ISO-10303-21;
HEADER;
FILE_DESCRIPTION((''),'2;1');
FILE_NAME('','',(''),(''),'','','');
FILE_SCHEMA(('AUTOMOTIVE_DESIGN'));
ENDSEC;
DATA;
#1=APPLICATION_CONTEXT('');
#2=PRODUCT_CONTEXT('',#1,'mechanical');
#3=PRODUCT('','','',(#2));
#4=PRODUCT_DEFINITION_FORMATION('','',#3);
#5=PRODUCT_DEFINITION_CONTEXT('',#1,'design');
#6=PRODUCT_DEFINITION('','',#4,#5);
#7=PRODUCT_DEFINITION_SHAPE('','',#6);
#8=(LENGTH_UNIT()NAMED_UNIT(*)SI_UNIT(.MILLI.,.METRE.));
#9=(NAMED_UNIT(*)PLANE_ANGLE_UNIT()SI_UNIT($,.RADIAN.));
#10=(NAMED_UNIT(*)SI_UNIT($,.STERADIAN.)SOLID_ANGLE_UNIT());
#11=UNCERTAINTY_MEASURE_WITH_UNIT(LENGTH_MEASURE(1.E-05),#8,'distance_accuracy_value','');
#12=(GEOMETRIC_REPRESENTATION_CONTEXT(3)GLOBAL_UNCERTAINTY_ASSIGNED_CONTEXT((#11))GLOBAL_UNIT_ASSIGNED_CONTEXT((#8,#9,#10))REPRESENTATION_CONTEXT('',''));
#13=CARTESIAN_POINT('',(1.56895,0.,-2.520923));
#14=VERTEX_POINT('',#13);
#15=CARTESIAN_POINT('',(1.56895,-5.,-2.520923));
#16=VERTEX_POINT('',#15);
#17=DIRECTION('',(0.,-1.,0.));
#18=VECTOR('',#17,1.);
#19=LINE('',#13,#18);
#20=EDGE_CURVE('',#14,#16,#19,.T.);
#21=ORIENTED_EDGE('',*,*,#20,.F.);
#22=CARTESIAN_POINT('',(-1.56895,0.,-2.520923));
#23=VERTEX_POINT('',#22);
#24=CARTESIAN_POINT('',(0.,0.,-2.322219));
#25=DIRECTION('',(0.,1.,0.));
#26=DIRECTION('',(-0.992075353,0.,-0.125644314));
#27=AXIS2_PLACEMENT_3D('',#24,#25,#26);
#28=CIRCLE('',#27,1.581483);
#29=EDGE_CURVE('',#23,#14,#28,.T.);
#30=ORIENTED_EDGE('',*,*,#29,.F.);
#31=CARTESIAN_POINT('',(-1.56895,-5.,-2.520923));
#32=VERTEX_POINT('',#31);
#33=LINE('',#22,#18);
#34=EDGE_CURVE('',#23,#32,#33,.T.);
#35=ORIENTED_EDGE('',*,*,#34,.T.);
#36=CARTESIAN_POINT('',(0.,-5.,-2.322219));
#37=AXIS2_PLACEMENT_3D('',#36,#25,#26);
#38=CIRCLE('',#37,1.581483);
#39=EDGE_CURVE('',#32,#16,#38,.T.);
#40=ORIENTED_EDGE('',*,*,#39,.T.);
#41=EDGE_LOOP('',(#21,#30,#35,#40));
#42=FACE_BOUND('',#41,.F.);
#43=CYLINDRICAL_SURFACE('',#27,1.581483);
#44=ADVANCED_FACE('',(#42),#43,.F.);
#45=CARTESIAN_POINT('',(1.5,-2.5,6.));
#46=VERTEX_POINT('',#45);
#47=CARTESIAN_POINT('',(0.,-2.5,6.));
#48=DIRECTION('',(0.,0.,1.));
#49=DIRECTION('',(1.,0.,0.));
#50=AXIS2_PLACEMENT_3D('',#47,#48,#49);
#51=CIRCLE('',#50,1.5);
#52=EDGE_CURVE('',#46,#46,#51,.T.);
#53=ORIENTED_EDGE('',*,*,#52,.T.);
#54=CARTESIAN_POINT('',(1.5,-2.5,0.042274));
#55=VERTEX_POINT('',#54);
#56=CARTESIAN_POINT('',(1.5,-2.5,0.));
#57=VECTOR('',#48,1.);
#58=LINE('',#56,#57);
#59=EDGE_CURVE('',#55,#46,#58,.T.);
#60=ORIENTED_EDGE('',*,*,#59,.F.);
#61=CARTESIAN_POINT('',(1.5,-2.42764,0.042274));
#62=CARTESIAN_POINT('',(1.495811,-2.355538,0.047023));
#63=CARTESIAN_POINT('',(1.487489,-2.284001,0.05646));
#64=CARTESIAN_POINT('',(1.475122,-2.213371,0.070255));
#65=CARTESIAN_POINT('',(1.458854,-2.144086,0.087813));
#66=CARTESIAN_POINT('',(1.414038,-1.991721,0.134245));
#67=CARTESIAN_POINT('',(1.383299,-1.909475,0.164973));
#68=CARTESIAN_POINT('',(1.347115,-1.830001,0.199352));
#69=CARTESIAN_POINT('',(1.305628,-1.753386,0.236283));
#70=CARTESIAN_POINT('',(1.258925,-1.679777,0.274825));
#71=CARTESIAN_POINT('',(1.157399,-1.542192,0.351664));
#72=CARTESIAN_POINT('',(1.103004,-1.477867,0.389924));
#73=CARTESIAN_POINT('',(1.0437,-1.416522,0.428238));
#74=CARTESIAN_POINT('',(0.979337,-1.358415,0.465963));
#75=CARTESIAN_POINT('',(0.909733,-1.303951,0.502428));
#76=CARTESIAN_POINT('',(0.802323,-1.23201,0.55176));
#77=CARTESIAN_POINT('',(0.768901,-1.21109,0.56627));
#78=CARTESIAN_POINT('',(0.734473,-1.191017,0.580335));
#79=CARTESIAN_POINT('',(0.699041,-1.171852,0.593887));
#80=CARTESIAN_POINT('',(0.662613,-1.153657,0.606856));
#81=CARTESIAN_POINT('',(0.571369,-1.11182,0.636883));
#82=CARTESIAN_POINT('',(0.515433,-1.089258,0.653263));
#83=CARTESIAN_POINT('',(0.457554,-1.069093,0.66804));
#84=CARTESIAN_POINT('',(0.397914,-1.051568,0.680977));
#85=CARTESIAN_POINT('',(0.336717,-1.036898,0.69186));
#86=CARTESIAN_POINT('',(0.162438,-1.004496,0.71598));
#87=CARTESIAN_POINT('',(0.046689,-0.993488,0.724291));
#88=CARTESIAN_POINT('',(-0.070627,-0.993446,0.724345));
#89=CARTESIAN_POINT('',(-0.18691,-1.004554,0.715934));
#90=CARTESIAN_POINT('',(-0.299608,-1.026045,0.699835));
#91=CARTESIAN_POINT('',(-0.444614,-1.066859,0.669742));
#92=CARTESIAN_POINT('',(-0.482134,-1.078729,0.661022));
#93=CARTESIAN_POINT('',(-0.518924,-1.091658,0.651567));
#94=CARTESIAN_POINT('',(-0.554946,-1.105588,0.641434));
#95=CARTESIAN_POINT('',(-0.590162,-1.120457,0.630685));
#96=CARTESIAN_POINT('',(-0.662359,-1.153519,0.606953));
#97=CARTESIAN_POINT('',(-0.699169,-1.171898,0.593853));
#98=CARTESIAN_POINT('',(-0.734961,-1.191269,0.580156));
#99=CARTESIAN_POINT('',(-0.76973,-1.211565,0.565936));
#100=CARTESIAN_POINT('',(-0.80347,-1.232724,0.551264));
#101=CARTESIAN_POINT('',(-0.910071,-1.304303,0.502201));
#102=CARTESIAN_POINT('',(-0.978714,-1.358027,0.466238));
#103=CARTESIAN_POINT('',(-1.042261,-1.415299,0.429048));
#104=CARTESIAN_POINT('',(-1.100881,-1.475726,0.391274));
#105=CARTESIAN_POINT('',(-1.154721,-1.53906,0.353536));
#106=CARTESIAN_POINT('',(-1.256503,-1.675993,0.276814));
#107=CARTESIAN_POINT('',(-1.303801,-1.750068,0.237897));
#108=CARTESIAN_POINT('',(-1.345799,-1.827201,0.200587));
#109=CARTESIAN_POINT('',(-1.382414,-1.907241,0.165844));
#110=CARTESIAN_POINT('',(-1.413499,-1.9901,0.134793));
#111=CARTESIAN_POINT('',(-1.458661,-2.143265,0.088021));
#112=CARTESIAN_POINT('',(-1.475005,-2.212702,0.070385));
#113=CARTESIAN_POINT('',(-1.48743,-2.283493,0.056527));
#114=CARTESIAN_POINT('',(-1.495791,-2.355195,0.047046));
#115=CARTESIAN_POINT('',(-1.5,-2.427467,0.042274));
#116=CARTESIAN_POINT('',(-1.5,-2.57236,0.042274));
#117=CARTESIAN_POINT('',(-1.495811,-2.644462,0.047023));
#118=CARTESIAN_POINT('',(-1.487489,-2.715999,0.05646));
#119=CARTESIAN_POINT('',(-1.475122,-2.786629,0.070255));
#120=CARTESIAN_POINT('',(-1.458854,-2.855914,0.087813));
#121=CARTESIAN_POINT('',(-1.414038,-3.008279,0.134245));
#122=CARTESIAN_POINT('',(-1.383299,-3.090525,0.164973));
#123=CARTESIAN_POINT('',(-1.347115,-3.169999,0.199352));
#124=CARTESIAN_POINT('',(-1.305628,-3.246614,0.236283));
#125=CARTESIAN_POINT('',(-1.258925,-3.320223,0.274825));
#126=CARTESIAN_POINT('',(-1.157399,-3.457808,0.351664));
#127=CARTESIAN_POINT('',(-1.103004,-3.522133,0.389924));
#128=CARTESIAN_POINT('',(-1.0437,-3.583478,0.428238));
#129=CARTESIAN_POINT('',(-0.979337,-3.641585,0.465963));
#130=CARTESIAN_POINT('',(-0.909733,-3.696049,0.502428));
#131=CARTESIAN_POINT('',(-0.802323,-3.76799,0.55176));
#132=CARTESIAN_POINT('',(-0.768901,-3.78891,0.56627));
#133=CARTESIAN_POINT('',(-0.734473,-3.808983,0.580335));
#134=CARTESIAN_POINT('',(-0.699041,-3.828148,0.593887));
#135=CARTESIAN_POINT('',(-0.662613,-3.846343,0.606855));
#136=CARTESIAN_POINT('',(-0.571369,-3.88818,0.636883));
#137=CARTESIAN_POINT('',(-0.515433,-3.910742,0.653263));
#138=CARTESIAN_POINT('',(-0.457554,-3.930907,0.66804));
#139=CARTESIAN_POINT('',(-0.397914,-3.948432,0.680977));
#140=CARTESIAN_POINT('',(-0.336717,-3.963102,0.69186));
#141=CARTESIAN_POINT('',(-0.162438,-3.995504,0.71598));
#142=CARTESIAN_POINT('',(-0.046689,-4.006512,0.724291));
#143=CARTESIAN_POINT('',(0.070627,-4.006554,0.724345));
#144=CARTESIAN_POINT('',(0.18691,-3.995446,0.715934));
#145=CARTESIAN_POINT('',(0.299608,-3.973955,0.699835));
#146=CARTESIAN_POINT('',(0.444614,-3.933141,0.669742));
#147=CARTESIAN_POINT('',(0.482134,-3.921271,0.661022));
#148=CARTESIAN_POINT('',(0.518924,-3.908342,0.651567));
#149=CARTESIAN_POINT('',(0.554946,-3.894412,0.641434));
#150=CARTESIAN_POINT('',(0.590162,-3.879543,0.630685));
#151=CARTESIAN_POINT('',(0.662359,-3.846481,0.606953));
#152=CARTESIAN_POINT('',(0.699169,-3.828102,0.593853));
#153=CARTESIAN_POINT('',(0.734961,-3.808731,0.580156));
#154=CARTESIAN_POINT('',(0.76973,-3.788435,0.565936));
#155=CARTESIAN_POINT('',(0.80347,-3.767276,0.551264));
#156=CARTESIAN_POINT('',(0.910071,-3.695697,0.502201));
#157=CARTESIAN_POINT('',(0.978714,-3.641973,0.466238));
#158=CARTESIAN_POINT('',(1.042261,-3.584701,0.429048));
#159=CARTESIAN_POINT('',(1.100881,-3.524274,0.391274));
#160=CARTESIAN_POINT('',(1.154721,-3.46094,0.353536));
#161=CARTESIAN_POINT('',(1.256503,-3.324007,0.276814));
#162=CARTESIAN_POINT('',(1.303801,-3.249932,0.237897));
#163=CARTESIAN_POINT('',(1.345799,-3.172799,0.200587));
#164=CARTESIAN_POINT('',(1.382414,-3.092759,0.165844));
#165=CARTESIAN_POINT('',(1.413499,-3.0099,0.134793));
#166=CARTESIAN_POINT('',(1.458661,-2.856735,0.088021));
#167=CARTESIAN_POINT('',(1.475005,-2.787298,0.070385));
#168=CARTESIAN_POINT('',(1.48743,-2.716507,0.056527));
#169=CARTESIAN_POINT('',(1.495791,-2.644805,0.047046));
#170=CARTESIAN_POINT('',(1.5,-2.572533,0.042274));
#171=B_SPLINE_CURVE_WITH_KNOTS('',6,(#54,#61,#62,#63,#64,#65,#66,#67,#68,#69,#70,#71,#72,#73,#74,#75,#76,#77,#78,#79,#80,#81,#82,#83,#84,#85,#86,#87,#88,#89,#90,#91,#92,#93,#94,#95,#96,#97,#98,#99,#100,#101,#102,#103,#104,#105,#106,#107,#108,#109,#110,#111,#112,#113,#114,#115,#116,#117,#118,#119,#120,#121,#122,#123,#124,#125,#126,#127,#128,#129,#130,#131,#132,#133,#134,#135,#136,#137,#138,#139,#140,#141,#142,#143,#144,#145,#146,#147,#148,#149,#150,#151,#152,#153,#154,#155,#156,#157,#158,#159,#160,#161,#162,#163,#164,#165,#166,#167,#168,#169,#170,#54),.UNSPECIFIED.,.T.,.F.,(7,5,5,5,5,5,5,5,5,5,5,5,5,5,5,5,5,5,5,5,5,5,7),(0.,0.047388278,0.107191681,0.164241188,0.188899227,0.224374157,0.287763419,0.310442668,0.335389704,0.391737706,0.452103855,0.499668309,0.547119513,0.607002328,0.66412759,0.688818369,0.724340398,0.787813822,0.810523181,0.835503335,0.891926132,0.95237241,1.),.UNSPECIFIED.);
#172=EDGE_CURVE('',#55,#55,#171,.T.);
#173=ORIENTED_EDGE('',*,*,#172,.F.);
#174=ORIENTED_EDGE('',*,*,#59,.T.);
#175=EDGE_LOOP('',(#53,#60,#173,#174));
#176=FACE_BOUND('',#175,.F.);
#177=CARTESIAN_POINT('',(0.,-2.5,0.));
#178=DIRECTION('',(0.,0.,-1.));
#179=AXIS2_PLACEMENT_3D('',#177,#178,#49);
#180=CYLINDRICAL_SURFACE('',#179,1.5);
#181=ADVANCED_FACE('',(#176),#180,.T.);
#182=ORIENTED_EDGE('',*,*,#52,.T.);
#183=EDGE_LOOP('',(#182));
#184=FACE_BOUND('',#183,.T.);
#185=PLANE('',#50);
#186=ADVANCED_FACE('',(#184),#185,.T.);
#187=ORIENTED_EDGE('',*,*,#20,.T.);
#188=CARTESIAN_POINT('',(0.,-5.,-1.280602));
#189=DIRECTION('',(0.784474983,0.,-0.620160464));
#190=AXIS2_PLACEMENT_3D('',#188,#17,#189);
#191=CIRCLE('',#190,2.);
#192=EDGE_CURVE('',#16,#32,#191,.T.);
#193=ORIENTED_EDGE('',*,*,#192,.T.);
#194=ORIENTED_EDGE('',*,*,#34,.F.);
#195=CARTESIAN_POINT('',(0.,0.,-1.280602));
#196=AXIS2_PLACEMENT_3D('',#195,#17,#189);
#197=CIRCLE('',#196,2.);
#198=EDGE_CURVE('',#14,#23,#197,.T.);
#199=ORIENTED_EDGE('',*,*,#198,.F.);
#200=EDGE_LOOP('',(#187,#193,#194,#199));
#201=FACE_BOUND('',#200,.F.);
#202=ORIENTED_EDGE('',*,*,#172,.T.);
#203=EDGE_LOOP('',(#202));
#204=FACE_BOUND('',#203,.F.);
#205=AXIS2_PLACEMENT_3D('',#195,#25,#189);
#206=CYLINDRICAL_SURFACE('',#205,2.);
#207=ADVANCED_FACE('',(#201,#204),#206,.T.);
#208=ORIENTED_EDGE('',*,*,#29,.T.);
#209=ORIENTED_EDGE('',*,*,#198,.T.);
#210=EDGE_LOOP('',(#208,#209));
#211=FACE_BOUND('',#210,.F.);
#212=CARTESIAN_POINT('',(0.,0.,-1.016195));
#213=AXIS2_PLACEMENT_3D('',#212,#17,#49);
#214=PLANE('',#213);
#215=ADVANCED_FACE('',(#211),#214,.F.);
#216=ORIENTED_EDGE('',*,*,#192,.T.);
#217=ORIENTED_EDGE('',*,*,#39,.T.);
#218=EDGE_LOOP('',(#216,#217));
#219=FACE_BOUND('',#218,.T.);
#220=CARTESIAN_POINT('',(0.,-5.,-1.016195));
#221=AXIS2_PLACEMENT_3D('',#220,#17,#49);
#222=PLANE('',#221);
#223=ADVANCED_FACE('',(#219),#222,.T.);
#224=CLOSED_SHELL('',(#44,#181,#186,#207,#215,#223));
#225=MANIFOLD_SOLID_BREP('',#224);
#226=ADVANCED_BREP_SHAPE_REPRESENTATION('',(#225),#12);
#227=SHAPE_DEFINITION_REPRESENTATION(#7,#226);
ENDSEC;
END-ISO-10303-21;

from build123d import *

# Parameters (mm, degrees)
F1_DEPTH = 5
F2_R     = 1.5
F3_DEPTH = 6


with BuildPart() as f1:
    # F0 (on Front) → F1 (new body)
    with BuildSketch(Plane.XZ):
        with BuildLine():
            ThreePointArc((-1.56895, -2.520923), (0, -0.740736), (1.56895, -2.520923))
            ThreePointArc((1.56895, -2.520923), (0, 0.719398), (-1.56895, -2.520923))
        make_face()
    extrude(amount=F1_DEPTH)

    # F2 (on Top) → F3 (join)
    with BuildSketch(Plane.XY):
        with Locations((0, -2.5)):
            Circle(F2_R)
    extrude(amount=F3_DEPTH)


solid = f1.part
